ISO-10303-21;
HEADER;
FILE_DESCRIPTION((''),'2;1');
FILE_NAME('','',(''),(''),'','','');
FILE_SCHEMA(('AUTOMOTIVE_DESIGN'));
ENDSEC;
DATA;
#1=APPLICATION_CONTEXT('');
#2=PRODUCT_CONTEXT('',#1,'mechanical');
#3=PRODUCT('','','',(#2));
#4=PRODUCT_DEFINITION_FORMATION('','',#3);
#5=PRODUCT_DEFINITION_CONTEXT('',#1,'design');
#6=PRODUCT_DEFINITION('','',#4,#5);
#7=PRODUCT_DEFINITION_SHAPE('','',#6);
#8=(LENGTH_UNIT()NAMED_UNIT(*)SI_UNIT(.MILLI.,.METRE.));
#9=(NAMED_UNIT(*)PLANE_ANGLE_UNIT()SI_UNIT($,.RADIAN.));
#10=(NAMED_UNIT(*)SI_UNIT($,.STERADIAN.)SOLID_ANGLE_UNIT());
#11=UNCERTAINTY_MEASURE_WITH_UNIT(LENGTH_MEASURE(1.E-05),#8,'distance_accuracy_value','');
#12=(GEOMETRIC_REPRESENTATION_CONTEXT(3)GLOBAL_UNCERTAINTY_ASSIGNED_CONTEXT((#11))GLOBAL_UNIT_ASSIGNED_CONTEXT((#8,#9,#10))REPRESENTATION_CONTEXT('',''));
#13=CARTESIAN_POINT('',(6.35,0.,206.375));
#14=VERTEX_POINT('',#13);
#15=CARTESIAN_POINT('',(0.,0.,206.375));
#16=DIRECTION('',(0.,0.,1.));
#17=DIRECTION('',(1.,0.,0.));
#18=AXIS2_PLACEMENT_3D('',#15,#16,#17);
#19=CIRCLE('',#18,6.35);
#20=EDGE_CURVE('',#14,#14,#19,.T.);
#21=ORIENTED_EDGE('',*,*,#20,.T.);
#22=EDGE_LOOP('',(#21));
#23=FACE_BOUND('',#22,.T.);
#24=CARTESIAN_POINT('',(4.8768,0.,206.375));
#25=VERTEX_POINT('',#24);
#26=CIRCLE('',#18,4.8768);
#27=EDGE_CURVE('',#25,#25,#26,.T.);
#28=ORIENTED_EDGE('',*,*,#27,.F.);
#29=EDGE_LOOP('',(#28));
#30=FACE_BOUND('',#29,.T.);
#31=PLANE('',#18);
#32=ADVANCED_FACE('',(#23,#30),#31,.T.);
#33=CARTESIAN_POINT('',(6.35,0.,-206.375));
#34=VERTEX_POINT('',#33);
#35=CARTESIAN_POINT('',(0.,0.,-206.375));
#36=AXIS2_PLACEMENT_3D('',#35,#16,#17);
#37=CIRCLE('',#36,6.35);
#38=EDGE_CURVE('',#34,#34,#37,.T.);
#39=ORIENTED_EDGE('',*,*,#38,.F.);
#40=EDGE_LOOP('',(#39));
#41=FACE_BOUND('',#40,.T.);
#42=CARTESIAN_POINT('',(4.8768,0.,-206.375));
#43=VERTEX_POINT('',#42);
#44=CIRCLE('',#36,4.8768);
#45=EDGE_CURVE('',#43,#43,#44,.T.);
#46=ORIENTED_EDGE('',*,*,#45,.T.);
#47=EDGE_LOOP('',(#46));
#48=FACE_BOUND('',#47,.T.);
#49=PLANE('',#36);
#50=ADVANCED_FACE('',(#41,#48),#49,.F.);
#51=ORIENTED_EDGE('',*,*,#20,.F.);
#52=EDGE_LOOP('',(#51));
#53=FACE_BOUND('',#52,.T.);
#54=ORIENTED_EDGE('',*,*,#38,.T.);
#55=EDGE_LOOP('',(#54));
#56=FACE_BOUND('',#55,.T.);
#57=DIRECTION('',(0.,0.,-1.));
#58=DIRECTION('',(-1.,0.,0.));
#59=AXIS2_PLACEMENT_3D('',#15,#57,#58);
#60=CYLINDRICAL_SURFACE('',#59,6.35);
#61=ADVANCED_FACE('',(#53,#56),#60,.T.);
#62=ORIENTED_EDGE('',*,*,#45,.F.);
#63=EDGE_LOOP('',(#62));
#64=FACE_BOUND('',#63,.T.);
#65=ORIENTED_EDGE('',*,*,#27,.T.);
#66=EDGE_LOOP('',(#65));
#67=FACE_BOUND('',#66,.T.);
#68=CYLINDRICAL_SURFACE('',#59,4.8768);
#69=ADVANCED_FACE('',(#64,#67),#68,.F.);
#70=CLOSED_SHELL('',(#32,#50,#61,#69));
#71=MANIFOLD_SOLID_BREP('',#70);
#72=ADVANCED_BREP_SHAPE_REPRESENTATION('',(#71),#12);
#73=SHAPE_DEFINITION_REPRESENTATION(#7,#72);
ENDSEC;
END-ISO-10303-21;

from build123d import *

# Parameters (mm, degrees)
SKETCH3_R           = 6.35
SKETCH3_R_2         = 4.8768
BOSS_EXTRUDE1_DEPTH = 206.375


with BuildPart() as part:
    # Sketch3 → Boss-Extrude1 (new, symmetric)
    with BuildSketch(Plane.XY):
        Circle(SKETCH3_R)
        Circle(SKETCH3_R_2, mode=Mode.SUBTRACT)
    extrude(amount=BOSS_EXTRUDE1_DEPTH, both=True)


solid = part.part
